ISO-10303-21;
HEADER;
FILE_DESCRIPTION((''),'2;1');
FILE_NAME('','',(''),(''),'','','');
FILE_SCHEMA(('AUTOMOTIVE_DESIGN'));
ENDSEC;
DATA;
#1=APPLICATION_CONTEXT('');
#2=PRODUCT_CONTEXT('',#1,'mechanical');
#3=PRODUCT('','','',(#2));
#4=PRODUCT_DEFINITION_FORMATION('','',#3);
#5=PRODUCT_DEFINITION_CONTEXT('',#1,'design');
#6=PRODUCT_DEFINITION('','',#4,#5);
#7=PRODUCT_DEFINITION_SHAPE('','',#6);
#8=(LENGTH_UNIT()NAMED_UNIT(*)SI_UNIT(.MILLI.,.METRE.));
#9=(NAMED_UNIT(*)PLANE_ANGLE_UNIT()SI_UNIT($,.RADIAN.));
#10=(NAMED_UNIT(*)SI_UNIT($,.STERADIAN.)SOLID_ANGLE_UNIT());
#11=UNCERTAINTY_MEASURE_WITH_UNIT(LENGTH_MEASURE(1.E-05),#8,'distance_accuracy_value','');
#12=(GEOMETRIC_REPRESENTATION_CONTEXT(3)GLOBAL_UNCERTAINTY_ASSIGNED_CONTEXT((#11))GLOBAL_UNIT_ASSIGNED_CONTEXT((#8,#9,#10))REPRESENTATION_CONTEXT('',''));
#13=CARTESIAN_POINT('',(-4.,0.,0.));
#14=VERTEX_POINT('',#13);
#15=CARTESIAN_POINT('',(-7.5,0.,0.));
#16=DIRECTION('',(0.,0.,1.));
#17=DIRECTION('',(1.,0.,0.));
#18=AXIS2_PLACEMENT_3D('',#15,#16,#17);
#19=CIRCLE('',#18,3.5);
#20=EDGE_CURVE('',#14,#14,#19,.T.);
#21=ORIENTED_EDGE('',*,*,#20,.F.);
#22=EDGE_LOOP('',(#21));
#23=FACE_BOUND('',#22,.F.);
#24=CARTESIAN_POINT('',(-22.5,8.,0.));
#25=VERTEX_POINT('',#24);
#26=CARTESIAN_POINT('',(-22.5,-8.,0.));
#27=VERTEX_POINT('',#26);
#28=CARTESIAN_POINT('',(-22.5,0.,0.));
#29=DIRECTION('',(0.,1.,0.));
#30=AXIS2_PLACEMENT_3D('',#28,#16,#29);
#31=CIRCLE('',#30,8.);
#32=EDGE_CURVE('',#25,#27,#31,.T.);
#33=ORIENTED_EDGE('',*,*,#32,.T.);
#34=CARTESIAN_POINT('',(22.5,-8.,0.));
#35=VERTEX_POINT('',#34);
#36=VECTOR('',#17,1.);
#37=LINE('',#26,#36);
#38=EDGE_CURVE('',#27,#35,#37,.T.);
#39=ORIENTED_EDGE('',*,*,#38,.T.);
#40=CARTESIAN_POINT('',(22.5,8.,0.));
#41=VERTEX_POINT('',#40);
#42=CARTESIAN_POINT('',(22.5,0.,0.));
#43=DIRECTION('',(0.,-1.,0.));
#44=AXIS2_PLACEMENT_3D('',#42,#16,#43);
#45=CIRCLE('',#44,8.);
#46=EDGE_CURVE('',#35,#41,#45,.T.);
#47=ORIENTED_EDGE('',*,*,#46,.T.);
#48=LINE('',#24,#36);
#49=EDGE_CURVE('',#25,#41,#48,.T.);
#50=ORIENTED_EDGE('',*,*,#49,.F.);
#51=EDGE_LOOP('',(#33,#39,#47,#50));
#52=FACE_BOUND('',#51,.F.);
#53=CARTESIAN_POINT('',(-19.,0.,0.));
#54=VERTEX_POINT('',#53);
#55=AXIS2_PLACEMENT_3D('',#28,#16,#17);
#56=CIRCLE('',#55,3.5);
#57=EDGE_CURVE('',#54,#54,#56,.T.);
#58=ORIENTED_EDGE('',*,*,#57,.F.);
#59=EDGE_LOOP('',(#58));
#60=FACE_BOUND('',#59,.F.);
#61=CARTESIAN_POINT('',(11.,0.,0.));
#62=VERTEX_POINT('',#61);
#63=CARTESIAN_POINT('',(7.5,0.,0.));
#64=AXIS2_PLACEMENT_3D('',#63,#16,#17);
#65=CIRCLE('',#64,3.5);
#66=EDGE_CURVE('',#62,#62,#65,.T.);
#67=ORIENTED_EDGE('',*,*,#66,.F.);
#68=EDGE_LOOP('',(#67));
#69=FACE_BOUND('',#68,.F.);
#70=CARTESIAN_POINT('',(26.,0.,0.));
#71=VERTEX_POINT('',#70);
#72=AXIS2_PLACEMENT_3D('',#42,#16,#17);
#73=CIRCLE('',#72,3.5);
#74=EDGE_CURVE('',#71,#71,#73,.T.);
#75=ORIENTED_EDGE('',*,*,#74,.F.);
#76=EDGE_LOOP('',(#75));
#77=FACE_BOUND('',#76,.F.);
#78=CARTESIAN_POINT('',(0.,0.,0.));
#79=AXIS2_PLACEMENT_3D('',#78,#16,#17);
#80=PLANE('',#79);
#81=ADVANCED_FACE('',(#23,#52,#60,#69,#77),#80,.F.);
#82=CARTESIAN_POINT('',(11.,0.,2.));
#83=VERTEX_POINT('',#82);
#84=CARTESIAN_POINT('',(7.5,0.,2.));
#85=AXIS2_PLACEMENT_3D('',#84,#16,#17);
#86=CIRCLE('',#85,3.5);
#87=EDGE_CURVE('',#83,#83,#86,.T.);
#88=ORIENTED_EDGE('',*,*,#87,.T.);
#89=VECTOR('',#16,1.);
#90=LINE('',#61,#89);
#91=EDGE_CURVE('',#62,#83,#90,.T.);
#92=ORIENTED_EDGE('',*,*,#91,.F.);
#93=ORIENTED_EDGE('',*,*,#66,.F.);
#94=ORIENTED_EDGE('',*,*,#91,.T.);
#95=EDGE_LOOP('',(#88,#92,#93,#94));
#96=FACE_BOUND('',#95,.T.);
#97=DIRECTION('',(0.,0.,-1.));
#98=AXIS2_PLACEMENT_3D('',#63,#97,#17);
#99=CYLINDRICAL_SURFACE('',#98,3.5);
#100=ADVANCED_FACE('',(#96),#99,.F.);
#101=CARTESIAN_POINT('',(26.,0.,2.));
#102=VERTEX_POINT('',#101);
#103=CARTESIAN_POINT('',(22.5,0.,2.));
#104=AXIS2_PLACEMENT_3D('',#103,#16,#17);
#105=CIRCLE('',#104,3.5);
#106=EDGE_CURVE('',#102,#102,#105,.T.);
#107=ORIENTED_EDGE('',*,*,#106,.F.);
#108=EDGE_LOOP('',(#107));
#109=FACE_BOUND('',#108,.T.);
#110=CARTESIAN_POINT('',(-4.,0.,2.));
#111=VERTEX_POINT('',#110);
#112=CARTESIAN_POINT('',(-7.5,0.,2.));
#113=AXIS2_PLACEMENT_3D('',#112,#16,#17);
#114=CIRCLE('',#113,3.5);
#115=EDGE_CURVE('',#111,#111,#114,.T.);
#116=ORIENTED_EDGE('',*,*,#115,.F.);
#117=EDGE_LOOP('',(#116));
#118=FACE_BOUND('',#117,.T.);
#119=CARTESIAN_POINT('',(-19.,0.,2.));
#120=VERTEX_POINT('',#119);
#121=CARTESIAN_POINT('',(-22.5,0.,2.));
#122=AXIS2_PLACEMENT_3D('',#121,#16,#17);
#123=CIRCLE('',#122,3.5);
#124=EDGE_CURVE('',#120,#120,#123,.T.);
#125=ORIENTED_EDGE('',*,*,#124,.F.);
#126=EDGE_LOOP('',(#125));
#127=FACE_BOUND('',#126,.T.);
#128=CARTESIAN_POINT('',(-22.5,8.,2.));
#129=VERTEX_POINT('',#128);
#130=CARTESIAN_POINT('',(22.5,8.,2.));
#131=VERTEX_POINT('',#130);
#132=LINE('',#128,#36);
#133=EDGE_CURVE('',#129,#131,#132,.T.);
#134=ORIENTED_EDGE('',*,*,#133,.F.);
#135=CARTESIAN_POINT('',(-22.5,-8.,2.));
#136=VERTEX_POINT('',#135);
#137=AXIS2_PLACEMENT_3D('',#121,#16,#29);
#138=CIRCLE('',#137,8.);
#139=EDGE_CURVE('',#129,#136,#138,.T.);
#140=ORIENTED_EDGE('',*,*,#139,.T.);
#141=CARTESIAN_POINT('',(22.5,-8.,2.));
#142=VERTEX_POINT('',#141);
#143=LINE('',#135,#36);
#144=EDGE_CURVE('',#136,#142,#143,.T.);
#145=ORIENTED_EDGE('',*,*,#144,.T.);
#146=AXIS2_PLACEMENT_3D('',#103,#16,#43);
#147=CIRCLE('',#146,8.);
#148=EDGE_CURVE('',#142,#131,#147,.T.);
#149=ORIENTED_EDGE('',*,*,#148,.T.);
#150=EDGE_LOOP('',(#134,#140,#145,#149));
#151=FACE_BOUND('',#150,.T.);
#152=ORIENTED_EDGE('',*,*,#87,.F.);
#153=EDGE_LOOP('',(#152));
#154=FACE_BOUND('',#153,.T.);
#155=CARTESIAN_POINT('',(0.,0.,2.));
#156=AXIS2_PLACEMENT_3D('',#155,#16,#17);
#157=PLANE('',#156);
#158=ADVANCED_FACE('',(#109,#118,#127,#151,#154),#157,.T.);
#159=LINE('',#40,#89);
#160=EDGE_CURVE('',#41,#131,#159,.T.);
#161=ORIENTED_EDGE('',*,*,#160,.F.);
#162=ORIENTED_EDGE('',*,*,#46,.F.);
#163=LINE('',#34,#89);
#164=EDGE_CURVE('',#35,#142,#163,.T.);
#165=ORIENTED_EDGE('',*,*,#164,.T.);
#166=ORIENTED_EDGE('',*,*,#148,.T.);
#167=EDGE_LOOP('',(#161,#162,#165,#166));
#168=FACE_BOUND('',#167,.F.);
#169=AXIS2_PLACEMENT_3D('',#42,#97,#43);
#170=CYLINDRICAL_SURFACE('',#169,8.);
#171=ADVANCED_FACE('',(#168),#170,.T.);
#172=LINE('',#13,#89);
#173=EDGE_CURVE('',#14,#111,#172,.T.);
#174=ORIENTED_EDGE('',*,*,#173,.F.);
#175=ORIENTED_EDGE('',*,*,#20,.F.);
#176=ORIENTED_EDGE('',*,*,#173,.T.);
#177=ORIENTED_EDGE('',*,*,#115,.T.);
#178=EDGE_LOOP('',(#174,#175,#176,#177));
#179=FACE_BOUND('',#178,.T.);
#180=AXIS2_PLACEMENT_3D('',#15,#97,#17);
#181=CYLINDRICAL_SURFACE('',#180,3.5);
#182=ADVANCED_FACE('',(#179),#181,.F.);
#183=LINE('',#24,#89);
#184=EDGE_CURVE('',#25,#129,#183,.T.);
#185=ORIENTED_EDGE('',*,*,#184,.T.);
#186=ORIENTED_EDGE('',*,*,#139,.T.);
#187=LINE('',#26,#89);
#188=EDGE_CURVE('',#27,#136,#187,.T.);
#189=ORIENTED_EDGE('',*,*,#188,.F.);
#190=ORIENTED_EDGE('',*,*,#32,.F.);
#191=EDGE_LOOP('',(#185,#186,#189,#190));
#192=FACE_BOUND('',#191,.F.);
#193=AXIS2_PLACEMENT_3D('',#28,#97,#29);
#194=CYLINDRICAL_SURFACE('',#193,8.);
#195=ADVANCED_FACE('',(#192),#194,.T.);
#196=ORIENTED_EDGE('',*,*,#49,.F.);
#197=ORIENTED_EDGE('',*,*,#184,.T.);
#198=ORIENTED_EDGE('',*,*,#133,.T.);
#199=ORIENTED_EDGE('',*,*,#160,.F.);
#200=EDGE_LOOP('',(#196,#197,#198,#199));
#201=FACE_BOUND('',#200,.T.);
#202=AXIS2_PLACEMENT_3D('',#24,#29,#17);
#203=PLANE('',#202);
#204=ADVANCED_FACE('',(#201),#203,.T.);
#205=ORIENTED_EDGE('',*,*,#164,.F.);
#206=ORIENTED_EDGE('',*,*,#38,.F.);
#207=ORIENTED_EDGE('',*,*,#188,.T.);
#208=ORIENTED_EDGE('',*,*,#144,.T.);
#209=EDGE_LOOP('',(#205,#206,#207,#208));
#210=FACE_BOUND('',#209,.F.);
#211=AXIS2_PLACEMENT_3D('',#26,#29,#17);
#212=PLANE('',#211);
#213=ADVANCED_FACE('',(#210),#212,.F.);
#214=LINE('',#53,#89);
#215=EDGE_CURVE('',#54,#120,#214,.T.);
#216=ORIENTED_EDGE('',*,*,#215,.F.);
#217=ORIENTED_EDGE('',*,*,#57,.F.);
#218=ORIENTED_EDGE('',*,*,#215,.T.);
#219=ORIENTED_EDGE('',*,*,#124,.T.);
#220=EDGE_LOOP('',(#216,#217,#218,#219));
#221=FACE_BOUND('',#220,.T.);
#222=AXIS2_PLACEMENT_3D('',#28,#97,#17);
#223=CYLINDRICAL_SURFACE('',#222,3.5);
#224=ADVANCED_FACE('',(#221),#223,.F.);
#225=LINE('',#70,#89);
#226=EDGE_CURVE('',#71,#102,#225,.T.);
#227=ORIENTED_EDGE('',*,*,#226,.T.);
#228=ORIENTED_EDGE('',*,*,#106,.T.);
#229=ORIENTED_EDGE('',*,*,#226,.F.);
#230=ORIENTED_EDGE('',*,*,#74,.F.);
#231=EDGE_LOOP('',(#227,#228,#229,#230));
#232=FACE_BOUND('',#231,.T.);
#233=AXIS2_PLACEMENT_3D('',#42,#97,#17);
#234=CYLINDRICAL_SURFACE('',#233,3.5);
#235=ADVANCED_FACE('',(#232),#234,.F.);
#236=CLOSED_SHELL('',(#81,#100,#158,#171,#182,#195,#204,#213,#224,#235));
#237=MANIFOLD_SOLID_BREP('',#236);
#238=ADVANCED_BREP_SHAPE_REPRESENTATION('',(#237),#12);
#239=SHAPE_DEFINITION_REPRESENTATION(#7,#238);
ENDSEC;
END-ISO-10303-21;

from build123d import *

# Parameters (mm, degrees)
SKETCH_R  = 3.5
PAD_DEPTH = 2


with BuildPart() as part:
    # Sketch → Pad (new body)
    with BuildSketch(Plane.XY):
        with BuildLine():
            ThreePointArc((-22.5, 8), (-30.5, 0), (-22.5, -8))
            Line((-22.5, -8), (22.5, -8))
            ThreePointArc((22.5, -8), (30.5, 0), (22.5, 8))
            Line((-22.5, 8), (22.5, 8))
        make_face()
        with Locations((-22.5, 0)):
            Circle(SKETCH_R, mode=Mode.SUBTRACT)
        with Locations((22.5, 0)):
            Circle(SKETCH_R, mode=Mode.SUBTRACT)
        with Locations((-7.5, 0)):
            Circle(SKETCH_R, mode=Mode.SUBTRACT)
        with Locations((7.5, 0)):
            Circle(SKETCH_R, mode=Mode.SUBTRACT)
    extrude(amount=PAD_DEPTH)


solid = part.part
